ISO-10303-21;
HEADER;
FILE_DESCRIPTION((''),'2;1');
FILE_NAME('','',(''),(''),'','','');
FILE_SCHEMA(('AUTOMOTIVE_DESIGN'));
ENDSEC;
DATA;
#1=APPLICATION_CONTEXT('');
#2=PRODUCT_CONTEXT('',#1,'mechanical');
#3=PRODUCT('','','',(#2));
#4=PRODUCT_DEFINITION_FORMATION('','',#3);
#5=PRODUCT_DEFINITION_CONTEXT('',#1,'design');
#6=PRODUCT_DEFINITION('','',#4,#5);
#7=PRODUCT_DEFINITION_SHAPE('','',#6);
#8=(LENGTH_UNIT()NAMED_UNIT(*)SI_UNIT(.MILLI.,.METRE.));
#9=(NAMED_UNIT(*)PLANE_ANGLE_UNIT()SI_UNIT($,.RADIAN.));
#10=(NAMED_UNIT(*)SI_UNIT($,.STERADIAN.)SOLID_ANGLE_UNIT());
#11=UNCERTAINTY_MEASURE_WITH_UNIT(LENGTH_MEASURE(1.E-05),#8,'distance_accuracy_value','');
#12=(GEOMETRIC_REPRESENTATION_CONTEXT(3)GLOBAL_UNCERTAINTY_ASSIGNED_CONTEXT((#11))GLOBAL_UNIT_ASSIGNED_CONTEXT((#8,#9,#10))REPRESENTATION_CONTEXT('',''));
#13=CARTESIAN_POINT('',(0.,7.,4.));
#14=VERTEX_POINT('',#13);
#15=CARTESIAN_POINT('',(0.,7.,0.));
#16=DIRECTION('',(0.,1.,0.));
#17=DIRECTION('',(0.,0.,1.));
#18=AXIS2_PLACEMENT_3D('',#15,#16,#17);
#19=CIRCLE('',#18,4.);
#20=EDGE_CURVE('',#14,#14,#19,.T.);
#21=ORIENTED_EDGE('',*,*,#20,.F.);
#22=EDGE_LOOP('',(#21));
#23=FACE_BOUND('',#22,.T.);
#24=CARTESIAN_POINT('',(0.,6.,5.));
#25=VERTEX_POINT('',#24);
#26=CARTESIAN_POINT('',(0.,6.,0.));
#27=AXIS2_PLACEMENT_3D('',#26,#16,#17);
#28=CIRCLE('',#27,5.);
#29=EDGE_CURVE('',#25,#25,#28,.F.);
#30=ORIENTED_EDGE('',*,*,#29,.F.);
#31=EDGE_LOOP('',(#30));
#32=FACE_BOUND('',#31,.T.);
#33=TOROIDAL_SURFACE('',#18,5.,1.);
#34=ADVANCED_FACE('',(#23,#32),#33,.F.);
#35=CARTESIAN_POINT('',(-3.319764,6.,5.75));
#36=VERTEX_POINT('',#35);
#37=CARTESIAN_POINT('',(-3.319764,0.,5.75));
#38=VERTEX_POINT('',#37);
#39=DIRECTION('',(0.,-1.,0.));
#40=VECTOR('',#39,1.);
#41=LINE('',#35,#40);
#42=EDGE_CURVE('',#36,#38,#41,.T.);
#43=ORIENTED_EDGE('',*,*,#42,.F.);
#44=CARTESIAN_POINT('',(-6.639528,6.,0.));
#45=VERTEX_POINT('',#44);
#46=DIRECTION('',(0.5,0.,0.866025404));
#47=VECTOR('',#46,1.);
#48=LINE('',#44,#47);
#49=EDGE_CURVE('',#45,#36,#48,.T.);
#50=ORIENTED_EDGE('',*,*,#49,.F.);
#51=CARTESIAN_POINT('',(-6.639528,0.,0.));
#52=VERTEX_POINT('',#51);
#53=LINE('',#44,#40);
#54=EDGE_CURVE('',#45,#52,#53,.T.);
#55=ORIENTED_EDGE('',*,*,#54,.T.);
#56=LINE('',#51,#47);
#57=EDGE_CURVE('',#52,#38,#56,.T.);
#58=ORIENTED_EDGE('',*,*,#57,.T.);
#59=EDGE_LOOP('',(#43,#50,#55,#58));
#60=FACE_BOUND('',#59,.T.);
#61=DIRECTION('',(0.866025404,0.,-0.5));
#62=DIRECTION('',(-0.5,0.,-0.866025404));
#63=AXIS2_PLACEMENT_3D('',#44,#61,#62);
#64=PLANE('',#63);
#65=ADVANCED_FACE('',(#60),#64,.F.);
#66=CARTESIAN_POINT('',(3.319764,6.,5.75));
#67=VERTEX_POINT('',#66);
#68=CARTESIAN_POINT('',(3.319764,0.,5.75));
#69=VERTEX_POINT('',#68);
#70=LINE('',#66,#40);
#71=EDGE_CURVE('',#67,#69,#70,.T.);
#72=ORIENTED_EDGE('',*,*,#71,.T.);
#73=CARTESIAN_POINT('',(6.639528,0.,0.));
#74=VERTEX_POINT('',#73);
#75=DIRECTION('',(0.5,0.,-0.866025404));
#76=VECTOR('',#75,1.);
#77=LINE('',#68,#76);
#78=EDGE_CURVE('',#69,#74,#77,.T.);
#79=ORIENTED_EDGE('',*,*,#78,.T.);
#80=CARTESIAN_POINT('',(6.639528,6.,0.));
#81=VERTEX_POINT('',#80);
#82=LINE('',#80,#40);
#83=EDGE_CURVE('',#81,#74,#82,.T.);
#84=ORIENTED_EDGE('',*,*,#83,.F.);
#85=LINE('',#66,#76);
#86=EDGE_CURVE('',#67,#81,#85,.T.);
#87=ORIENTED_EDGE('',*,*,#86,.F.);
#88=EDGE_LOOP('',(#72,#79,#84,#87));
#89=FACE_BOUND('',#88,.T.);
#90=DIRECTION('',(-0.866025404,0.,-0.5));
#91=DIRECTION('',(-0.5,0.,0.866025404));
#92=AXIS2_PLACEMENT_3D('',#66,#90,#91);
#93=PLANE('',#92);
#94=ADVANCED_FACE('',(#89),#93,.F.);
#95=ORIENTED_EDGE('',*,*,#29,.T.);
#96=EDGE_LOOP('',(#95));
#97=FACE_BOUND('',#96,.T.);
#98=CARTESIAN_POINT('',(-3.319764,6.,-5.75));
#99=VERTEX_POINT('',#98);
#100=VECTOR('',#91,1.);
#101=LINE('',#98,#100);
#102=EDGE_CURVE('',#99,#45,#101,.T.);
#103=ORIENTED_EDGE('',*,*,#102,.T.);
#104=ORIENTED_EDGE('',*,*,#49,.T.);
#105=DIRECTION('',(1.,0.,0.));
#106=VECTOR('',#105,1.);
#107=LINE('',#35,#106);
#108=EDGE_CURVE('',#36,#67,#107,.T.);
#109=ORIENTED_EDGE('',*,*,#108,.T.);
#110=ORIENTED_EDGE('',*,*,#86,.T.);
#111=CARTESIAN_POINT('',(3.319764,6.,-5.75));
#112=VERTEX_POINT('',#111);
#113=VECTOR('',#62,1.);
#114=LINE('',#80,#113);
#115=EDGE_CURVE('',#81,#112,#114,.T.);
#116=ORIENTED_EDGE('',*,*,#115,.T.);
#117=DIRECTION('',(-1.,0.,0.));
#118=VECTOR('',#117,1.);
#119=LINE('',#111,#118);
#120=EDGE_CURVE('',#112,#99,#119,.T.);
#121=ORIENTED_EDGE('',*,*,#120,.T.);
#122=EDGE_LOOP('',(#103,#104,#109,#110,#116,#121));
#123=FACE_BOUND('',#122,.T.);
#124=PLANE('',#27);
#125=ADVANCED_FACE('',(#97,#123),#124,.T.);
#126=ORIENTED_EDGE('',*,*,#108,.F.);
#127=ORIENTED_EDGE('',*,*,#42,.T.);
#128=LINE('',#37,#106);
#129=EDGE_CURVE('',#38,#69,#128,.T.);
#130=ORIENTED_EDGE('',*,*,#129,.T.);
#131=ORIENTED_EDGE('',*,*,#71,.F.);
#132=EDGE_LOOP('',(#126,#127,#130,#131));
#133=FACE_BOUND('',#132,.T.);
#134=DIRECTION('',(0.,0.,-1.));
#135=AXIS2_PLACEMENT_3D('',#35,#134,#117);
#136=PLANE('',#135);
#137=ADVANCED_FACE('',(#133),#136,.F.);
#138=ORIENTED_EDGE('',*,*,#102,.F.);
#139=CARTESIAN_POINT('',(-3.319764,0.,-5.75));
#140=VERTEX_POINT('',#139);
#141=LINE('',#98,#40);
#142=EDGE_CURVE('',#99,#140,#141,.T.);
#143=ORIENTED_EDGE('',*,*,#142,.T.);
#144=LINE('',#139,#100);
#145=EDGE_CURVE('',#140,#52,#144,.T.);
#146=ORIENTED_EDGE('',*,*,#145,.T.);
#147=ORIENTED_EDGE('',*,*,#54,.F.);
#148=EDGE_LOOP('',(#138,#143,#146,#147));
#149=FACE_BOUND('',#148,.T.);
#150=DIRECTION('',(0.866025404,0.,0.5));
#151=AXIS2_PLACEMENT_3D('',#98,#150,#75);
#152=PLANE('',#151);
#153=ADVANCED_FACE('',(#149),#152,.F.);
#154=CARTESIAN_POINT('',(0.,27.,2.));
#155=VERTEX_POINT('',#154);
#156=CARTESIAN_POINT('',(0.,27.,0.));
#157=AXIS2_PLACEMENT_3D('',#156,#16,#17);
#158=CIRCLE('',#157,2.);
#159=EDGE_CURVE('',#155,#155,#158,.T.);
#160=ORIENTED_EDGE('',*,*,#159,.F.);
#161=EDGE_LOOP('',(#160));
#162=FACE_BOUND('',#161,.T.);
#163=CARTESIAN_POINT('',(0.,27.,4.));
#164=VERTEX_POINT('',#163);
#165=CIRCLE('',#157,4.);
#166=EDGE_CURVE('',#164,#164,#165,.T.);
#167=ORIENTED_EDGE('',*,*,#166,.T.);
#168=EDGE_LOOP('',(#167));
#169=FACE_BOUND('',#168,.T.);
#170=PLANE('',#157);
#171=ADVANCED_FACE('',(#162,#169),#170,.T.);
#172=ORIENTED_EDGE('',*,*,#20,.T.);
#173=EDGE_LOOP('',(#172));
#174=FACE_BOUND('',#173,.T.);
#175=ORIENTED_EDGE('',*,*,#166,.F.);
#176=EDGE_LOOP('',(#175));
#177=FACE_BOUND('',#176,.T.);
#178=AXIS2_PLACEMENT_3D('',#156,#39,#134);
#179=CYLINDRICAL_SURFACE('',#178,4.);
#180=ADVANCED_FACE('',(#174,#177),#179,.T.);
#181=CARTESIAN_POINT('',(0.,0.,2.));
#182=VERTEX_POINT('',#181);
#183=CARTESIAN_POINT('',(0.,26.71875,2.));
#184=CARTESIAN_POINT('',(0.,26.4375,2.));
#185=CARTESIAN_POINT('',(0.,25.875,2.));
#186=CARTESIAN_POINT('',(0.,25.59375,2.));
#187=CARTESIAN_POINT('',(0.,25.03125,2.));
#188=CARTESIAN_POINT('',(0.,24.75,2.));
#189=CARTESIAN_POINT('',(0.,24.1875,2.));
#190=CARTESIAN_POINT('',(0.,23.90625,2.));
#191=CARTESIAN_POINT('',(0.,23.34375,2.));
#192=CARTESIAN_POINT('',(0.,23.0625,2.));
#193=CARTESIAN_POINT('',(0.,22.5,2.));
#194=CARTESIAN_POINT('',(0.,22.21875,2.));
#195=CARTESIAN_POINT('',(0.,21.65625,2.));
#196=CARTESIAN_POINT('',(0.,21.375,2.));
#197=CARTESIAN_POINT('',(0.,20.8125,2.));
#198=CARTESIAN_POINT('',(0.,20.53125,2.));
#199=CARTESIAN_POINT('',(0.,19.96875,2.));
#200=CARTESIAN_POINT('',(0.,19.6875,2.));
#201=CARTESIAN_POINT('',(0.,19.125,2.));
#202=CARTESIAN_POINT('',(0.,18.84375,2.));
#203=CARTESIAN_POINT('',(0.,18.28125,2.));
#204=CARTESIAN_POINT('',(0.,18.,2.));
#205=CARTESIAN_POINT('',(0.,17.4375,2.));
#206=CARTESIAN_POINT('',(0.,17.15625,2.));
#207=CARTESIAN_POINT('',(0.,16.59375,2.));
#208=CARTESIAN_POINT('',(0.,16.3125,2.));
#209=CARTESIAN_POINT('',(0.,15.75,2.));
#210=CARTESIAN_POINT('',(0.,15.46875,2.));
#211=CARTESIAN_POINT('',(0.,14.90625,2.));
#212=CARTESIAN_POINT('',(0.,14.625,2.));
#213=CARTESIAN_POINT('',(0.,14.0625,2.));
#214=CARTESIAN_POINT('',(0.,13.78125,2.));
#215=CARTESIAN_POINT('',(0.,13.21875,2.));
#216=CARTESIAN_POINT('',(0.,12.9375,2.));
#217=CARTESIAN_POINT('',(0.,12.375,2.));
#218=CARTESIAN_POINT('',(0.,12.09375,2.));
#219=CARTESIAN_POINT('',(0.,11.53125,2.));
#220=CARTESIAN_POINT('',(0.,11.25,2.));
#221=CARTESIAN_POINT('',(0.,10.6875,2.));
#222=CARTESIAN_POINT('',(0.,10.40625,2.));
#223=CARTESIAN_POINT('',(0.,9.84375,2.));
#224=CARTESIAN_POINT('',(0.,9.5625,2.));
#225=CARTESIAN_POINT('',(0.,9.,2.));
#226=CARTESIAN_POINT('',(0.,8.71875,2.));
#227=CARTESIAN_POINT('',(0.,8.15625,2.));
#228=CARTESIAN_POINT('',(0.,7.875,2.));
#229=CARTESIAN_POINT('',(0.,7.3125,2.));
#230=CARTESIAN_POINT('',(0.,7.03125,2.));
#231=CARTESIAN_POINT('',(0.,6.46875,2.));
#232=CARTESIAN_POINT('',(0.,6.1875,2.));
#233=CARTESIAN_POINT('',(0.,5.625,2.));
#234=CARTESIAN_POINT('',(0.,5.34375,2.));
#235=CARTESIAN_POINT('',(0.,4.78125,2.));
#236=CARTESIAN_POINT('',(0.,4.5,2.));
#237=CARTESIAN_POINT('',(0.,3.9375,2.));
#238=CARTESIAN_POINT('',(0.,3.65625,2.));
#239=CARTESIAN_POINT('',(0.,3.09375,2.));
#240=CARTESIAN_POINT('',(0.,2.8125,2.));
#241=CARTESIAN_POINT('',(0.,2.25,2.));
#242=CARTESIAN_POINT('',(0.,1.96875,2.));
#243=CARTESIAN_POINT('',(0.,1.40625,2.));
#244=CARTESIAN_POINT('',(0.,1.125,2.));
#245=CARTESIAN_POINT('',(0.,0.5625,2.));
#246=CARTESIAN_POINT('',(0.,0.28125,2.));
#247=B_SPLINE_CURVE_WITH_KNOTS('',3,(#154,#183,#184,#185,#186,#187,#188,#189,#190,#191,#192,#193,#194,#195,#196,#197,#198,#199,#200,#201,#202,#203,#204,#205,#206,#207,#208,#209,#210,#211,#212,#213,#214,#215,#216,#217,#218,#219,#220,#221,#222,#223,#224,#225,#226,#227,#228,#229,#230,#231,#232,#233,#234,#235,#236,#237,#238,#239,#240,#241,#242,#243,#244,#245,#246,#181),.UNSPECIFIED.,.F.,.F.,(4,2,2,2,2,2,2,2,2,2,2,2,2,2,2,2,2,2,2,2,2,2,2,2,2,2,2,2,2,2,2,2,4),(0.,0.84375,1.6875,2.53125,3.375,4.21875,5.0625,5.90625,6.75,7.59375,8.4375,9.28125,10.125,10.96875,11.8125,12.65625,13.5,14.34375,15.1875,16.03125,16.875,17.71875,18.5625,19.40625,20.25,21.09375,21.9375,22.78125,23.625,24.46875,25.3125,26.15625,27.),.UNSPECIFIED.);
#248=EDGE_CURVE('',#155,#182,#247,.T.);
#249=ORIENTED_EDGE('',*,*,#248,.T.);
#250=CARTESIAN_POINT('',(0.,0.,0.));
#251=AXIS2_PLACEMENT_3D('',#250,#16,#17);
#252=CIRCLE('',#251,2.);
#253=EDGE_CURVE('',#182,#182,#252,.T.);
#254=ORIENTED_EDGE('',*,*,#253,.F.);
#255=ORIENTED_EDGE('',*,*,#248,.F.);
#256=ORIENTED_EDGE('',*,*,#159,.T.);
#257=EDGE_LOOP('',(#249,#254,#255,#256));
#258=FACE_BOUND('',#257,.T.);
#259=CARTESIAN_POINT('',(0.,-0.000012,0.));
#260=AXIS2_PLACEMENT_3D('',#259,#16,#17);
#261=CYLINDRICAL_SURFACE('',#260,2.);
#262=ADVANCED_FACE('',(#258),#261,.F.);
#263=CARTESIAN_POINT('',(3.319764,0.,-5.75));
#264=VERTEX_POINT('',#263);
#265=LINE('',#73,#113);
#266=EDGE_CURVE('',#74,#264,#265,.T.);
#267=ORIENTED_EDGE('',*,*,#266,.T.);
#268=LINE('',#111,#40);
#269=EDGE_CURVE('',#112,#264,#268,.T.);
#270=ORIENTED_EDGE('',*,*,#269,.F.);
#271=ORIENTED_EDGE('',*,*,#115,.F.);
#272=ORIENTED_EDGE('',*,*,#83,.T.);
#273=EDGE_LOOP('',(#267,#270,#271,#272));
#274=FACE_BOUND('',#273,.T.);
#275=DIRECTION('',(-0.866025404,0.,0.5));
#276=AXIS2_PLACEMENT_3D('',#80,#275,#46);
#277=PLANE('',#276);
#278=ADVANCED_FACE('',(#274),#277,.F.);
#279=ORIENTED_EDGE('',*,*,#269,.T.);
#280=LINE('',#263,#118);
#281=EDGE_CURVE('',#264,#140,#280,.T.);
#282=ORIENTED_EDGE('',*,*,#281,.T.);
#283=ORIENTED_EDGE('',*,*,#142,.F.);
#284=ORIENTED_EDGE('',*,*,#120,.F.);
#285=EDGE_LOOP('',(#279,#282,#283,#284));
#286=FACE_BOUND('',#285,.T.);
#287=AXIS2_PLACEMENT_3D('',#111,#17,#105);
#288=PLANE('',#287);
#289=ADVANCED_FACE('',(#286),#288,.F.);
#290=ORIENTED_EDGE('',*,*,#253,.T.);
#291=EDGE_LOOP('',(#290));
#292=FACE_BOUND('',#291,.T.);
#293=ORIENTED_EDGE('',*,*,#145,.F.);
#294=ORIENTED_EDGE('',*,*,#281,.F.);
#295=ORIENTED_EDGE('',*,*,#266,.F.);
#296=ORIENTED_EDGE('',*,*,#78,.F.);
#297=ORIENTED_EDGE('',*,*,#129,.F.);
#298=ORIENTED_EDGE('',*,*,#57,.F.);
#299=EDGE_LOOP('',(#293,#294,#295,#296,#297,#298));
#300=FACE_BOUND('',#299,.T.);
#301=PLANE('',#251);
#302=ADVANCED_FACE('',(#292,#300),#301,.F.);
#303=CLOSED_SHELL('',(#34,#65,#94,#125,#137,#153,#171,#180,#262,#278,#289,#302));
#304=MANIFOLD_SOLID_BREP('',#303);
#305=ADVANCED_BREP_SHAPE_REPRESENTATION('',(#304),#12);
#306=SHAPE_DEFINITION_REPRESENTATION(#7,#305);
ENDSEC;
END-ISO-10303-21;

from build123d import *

# Parameters (mm, degrees)
SKETCH_1_R               = 4
EXTRUDE_2_DEPTH          = 27
SKETCH_1_5_R             = 4
EXTRUDE_3_DEPTH          = 6
FILLET_1_R               = 1
CUT_EXTRUDE_1_DEPTH      = 29.392707397
CUT_EXTRUDE_1_DEPTH_BACK = 29.392707397
SKETCH_2_R               = 2


with BuildPart() as part:
    # 草图1 → 凸台-拉伸2 (new body)
    with BuildSketch(Plane(origin=(0, 0, 0), x_dir=(1, 0, 0), z_dir=(0, 1, 0))):
        Circle(SKETCH_1_R)
    extrude(amount=EXTRUDE_2_DEPTH)

    # 草图1<5> → 凸台-拉伸3 (add)
    with BuildSketch(Plane(origin=(0, 0, 0), x_dir=(1, 0, 0), z_dir=(0, 1, 0))):
        Polygon((6.639528096, 0), (3.319764048, 5.75), (-3.319764048, 5.75), (-6.639528096, 0), (-3.319764048, -5.75), (3.319764048, -5.75), align=None)
        Circle(SKETCH_1_5_R, mode=Mode.SUBTRACT)
    extrude(amount=EXTRUDE_3_DEPTH)

    # 圆角1
    fillet_1_edges = [part.edges().sort_by_distance(p)[0] for p in [
        (-4, 6, 0),
    ]]
    fillet(fillet_1_edges, radius=FILLET_1_R)

    # 草图2 → 切除-拉伸1 (cut, two sides: drawn at the far end of the back side and taken through both)
    with BuildSketch(Plane(origin=(0, 0, 0), x_dir=(1, 0, 0), z_dir=(0, 1, 0)).offset(-CUT_EXTRUDE_1_DEPTH_BACK)):
        Circle(SKETCH_2_R)
    extrude(amount=CUT_EXTRUDE_1_DEPTH + CUT_EXTRUDE_1_DEPTH_BACK, mode=Mode.SUBTRACT)


solid = part.part
